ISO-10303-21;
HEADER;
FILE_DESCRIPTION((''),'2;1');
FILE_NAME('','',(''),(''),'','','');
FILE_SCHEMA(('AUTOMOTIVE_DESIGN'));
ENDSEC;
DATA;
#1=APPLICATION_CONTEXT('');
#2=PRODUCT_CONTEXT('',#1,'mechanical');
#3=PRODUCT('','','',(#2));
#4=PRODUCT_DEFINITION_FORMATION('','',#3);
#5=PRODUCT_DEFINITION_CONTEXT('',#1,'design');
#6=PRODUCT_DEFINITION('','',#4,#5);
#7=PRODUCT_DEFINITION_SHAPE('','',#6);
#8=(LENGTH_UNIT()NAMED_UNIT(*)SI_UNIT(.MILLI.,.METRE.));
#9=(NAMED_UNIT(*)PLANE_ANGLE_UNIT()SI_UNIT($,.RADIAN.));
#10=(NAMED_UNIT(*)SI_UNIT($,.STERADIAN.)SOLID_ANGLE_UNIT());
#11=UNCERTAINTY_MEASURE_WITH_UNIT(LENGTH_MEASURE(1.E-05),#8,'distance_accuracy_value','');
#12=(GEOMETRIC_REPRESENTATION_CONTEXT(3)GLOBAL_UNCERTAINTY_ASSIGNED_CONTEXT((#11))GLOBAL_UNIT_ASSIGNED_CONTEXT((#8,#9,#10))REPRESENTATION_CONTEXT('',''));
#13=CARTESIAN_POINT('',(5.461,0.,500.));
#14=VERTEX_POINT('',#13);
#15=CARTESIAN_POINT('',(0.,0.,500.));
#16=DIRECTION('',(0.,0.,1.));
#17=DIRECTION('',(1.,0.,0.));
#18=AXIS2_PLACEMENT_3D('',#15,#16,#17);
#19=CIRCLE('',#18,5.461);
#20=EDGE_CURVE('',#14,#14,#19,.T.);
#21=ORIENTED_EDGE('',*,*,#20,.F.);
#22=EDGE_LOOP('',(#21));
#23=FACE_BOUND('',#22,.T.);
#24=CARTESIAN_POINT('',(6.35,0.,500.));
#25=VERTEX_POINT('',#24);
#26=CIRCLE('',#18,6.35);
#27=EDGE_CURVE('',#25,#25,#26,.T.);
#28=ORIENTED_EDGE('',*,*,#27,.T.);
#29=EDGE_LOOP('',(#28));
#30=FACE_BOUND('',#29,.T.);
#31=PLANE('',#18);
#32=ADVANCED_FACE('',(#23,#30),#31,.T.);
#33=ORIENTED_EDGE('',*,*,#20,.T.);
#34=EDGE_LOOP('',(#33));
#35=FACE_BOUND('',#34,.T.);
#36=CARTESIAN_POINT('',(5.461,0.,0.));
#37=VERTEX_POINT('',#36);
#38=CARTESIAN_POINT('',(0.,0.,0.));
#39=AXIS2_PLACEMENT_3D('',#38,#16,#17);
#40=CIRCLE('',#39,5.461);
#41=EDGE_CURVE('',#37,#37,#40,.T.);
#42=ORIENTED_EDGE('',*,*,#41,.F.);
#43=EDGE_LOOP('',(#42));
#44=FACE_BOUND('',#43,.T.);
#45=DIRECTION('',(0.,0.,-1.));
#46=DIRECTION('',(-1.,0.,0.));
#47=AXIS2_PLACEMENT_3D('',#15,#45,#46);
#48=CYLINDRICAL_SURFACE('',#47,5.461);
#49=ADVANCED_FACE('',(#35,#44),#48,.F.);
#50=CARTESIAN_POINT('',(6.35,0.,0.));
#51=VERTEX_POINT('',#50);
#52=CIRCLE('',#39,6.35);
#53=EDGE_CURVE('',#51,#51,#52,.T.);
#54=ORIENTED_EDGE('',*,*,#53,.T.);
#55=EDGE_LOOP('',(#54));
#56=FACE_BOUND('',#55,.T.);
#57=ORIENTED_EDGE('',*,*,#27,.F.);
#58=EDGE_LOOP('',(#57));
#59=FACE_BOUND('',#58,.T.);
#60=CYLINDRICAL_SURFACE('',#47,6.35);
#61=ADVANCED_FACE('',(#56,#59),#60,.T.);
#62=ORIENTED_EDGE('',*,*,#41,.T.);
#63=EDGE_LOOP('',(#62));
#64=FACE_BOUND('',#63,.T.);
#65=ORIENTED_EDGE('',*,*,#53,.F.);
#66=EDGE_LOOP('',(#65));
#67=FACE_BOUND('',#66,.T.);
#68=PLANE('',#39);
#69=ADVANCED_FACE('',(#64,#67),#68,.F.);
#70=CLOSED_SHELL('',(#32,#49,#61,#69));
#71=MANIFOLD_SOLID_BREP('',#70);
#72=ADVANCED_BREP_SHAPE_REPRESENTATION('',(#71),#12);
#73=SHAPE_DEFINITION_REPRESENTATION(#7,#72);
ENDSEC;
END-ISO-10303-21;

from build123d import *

# Parameters (mm, degrees)
SKETCH1_R           = 6.35
SKETCH1_R_2         = 5.461
BOSS_EXTRUDE1_DEPTH = 500


with BuildPart() as part:
    # Sketch1 → Boss-Extrude1 (new body)
    with BuildSketch(Plane.XY):
        Circle(SKETCH1_R)
        Circle(SKETCH1_R_2, mode=Mode.SUBTRACT)
    extrude(amount=BOSS_EXTRUDE1_DEPTH)


solid = part.part
